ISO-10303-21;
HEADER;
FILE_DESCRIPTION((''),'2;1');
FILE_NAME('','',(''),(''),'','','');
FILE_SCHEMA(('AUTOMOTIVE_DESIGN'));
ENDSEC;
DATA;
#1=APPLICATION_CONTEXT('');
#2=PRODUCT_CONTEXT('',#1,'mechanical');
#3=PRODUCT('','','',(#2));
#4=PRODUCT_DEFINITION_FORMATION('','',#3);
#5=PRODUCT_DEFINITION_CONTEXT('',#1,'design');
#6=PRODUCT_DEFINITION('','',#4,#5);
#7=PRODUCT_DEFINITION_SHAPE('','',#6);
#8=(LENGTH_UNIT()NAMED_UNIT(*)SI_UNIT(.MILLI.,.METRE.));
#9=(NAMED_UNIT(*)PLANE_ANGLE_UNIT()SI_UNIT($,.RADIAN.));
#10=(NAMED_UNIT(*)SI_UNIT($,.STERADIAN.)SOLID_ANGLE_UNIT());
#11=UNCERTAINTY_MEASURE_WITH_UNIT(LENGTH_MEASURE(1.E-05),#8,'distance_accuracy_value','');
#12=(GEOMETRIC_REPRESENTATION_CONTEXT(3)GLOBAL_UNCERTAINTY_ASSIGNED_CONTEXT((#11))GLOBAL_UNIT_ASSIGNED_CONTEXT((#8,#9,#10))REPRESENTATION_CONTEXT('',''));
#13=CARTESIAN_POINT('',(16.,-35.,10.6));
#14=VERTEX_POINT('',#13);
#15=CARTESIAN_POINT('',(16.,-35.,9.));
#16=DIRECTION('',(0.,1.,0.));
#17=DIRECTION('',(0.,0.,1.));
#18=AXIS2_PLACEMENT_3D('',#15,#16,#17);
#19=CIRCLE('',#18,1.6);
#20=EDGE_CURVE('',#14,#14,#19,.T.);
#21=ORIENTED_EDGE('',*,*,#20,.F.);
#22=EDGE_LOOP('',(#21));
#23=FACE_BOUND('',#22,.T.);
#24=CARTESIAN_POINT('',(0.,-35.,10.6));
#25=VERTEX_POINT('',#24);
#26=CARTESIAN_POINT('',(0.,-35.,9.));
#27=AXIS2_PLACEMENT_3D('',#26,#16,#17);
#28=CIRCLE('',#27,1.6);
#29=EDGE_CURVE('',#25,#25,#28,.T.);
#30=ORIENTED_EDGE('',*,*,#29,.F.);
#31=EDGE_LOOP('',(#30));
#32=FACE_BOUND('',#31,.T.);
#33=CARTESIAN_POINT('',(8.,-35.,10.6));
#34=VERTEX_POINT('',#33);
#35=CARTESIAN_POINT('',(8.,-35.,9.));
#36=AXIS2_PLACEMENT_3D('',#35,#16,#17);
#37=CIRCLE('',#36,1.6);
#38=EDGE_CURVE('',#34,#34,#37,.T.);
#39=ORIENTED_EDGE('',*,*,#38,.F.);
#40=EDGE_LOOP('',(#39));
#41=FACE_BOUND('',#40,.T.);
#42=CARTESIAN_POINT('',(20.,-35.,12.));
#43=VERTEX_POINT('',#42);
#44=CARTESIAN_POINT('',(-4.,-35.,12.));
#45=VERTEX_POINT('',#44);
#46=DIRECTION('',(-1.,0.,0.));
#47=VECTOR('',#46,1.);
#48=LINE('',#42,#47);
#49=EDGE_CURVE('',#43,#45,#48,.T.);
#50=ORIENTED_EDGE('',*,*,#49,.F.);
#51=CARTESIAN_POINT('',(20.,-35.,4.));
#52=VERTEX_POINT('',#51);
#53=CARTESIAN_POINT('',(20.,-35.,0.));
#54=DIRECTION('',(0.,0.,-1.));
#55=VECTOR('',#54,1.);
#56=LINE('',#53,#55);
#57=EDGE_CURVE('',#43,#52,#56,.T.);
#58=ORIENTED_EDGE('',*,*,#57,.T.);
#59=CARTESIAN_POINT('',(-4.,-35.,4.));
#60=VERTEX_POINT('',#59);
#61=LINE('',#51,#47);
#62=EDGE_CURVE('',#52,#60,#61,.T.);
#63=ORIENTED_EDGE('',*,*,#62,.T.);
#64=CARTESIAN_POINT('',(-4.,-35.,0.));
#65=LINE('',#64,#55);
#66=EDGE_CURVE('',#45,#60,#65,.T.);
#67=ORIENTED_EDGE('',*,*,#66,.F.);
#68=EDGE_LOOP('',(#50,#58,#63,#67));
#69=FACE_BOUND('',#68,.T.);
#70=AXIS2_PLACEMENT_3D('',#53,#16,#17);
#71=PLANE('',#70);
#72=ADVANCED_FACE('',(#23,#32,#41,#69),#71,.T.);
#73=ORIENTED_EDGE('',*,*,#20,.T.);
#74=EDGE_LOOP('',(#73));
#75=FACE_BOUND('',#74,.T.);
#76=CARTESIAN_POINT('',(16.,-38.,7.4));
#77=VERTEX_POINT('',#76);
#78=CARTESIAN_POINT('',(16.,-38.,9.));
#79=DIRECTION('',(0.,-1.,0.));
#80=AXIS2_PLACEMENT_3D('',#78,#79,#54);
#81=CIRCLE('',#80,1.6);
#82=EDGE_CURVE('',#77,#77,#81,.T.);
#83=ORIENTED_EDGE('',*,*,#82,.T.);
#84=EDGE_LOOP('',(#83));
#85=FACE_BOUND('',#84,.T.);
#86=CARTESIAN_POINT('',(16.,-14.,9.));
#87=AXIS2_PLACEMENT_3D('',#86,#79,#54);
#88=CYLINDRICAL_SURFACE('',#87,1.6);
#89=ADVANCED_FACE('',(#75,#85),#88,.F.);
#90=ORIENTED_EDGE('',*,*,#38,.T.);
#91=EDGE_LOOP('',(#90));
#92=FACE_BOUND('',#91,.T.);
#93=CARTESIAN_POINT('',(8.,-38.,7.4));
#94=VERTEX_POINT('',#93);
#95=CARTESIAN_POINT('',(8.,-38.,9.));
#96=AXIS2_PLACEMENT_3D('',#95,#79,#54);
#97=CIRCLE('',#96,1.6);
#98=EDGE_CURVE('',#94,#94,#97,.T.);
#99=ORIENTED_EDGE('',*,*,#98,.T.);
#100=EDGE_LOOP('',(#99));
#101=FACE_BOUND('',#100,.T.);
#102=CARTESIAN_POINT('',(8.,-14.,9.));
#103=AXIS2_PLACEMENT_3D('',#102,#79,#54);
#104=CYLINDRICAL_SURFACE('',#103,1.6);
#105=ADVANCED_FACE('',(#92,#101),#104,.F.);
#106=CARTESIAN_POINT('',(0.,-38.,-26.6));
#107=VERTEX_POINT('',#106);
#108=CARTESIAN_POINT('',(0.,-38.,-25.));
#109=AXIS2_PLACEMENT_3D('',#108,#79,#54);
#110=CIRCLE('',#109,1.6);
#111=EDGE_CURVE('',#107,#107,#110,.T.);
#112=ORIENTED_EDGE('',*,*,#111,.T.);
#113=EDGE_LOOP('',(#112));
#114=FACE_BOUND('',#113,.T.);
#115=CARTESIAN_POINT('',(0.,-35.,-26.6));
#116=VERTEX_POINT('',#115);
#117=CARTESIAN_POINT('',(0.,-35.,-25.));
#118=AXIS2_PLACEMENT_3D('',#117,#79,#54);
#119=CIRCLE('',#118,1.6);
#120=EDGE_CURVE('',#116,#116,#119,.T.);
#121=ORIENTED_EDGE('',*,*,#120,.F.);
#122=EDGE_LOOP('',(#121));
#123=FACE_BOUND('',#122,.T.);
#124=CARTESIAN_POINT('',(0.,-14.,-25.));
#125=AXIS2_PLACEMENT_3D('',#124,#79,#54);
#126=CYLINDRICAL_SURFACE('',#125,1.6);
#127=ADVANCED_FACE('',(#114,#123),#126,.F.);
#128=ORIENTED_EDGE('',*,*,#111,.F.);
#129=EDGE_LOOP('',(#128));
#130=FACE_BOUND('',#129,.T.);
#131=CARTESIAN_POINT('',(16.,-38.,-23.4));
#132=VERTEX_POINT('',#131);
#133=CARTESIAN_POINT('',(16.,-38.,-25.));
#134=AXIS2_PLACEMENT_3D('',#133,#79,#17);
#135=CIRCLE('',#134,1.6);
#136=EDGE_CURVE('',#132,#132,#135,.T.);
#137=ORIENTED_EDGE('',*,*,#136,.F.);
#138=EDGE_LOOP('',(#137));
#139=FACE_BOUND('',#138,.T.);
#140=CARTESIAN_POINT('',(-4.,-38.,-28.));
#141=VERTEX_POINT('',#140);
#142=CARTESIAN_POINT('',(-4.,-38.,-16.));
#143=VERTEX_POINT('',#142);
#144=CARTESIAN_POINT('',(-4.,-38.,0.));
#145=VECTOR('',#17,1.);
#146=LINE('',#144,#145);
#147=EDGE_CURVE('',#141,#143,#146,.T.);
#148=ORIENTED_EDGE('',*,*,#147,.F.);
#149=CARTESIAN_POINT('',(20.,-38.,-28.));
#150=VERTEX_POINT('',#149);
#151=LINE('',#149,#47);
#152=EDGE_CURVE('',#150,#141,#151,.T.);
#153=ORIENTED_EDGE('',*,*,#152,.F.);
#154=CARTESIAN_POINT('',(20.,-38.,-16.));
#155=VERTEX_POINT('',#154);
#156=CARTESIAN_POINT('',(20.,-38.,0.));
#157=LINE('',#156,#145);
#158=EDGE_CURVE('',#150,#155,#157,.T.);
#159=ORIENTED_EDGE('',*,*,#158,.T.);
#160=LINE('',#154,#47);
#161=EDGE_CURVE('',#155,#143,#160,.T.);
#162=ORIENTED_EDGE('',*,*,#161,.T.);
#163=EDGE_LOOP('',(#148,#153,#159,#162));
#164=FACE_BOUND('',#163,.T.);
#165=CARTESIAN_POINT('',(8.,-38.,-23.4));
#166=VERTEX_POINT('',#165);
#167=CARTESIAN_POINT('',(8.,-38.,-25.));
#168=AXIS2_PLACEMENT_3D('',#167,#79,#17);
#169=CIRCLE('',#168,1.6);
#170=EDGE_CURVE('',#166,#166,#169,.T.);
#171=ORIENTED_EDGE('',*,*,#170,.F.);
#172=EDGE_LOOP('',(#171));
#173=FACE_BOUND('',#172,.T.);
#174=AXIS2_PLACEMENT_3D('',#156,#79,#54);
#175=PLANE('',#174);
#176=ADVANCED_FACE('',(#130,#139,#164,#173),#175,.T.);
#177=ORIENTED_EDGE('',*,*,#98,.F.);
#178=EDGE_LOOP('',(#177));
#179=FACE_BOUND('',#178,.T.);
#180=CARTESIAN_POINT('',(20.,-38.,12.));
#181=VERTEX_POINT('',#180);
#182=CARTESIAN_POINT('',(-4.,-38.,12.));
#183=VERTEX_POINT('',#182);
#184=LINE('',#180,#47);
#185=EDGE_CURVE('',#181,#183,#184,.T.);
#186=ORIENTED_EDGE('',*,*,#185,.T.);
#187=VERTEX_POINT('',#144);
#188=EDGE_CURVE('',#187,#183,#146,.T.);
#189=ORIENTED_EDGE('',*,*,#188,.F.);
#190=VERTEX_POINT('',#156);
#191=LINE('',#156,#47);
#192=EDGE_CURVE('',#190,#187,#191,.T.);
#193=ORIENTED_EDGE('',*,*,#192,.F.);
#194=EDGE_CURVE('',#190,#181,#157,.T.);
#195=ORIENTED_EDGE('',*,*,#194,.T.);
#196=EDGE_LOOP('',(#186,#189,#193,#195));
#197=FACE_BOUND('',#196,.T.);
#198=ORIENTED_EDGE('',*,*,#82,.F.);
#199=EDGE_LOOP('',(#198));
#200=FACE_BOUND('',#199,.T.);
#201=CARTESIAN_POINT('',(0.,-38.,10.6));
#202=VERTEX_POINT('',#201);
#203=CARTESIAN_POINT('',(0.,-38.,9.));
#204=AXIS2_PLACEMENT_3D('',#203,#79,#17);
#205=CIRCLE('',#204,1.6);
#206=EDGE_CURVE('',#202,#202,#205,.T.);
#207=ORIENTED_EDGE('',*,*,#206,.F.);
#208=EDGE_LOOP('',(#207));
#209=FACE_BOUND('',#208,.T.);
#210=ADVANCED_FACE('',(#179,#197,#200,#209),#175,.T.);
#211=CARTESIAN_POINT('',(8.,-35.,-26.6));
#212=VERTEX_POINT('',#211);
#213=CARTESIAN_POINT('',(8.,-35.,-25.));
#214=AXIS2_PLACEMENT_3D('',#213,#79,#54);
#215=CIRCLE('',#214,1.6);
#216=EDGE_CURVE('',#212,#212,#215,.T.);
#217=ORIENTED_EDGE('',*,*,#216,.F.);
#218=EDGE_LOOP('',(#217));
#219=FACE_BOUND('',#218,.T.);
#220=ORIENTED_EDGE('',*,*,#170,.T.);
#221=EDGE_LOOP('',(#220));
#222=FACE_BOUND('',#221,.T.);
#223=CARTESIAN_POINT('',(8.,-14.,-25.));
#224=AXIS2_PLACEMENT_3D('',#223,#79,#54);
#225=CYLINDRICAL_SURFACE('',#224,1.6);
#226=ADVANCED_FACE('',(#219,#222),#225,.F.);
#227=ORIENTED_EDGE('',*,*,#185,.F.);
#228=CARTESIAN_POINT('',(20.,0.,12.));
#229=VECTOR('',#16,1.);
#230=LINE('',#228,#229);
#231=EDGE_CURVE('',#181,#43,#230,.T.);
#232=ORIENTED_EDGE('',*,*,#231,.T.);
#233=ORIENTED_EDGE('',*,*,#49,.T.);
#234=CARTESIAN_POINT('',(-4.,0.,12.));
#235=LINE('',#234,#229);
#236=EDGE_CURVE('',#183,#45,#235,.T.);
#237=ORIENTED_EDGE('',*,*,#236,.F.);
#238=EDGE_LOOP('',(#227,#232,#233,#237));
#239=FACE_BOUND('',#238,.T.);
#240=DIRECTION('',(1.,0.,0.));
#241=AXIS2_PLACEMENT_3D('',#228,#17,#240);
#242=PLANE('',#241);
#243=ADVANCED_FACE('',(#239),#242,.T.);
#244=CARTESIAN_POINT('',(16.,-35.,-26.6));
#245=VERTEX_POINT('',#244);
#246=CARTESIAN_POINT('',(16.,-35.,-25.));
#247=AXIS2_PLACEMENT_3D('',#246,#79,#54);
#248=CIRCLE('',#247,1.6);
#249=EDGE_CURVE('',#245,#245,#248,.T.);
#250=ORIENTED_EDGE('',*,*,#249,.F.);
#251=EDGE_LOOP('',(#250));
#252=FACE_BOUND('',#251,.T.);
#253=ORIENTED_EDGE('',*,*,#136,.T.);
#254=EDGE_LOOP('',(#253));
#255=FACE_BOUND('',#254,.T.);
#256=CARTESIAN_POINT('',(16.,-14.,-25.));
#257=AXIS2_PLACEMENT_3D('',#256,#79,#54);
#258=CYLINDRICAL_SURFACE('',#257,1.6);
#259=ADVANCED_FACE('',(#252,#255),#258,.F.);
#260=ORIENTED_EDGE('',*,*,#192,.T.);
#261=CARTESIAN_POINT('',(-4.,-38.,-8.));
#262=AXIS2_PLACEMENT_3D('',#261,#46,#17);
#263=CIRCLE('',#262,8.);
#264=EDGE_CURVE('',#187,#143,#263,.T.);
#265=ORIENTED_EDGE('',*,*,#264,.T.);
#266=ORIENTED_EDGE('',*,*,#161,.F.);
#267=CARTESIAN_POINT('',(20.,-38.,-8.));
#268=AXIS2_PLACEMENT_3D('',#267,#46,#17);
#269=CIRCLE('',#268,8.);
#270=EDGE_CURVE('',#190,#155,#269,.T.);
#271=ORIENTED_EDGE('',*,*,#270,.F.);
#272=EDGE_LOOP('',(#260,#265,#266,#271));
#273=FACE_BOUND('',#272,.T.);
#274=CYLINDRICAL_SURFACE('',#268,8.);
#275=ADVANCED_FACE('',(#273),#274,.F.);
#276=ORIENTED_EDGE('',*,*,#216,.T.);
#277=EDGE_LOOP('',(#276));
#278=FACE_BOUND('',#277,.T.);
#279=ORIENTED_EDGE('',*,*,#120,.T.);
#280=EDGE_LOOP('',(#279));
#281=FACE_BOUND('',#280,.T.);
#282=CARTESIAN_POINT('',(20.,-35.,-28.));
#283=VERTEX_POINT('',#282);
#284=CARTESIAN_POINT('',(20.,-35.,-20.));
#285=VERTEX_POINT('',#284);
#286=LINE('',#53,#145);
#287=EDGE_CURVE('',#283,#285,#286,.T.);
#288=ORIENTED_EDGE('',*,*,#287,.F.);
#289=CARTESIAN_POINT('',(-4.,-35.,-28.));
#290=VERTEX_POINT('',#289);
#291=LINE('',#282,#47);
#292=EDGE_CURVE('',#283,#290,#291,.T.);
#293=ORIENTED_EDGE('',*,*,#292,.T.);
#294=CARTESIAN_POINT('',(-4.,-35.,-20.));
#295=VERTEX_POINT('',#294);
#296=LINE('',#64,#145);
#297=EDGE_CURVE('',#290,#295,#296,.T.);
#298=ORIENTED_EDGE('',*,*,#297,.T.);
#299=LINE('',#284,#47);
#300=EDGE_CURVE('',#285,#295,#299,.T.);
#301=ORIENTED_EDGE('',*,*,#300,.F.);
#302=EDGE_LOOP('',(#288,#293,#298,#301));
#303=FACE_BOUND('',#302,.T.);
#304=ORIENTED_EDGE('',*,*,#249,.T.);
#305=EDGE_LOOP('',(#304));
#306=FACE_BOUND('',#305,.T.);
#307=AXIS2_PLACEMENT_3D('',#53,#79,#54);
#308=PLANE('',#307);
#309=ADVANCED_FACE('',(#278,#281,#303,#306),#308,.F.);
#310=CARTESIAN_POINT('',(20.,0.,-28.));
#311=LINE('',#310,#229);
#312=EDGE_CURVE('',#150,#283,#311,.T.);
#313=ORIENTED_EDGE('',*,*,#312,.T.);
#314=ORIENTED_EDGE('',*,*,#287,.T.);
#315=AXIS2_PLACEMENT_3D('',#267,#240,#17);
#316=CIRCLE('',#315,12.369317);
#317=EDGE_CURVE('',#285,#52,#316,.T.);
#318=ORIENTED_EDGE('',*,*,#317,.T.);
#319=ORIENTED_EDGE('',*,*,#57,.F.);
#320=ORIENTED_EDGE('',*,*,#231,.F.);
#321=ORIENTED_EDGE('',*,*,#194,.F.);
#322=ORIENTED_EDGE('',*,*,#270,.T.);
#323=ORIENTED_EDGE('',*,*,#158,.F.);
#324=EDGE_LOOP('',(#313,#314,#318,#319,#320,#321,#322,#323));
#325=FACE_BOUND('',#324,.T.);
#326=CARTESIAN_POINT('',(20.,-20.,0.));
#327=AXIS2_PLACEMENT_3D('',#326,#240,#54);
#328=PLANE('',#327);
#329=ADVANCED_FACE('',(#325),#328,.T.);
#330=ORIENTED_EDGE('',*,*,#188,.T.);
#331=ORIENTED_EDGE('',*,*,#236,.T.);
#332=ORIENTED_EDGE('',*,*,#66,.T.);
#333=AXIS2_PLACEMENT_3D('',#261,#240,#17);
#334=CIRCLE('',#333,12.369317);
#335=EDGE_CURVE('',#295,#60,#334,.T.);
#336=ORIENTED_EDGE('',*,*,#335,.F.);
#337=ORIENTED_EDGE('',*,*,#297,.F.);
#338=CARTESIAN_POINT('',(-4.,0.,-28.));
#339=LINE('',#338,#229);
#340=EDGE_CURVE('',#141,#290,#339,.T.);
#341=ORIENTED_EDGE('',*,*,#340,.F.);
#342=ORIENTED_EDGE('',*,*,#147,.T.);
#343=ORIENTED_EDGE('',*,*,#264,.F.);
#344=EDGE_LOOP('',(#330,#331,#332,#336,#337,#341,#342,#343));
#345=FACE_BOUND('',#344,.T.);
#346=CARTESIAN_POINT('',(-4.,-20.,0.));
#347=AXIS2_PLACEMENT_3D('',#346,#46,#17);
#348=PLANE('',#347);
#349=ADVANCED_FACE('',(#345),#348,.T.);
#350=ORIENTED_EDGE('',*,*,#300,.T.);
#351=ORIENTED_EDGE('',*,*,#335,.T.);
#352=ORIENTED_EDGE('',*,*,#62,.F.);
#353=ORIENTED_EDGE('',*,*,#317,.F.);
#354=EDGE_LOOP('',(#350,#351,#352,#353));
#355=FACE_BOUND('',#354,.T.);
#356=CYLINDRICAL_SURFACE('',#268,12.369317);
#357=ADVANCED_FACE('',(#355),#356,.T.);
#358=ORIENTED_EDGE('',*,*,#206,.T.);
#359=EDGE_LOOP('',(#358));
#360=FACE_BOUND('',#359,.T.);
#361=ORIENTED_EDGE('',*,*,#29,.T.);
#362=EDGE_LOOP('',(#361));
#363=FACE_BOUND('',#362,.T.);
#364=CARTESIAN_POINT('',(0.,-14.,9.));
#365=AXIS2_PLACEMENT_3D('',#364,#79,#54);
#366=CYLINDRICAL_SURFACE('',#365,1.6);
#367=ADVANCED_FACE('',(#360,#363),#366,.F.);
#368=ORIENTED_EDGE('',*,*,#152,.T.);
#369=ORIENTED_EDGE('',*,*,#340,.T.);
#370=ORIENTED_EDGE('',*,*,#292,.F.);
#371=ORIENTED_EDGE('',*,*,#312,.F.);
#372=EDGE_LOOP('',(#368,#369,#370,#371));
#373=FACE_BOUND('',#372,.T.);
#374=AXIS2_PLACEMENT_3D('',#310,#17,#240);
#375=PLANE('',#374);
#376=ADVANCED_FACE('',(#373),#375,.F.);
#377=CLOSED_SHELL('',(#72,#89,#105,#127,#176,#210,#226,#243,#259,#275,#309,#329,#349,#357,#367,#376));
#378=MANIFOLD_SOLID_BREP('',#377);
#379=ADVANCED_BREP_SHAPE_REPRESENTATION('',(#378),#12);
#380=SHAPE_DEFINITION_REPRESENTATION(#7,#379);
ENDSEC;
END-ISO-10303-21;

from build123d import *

# Parameters (mm, degrees)
SKETCH_1_W          = 16
SKETCH_1_H          = 16
EXTRUDE_1_DEPTH     = 20
SKETCH_2_W          = 24
SKETCH_2_H          = 24
EXTRUDE_4_DEPTH     = 10
SKETCH_3_W          = 4
SKETCH_3_H          = 3
EXTRUDE_6_DEPTH     = 24
SKETCH_5_R          = 1.6
CUT_EXTRUDE_1_DEPTH = 24
CUT_EXTRUDE_2_DEPTH = 24


with BuildPart() as part:
    # 草图1 → 凸台-拉伸1 (new body)
    with BuildSketch(Plane(origin=(0, 0, 0), x_dir=(1, 0, 0), z_dir=(0, 1, 0))):
        Polygon((-4, 20), (-4, 16), (-4, -4), (16, -4), (20, -4), (20, 0), (20, 20), (0, 20), align=None)
        with Locations((8, 8)):
            Rectangle(SKETCH_1_W, SKETCH_1_H, mode=Mode.SUBTRACT)
    extrude(amount=-EXTRUDE_1_DEPTH)

    # 草图2 → 凸台-拉伸4 (add)
    with BuildSketch(Plane.XZ.offset(20)):
        with Locations((8, -8)):
            Rectangle(SKETCH_2_W, SKETCH_2_H)
    extrude(amount=EXTRUDE_4_DEPTH)

    # 草图3 → 凸台-拉伸6 (add)
    with BuildSketch(Plane.ZY.offset(4)):
        with Locations((10, -36.5)):
            Rectangle(SKETCH_3_W, SKETCH_3_H)
        with BuildLine():
            Line((4, -35), (4, -30))
            Line((4, -30), (-8.000000062, -30))
            ThreePointArc((-8.000000062, -30), (-2.343145773, -32.343145728), (0, -38))
            Line((0, -38), (8, -38))
            Line((8, -38), (8, -35))
            Line((8, -35), (4, -35))
        make_face()
        with BuildLine():
            ThreePointArc((-16, -38), (-13.656854272, -32.343145773), (-8.000000062, -30))
            Line((-8.000000062, -30), (-20, -30))
            Line((-20, -30), (-20, -35))
            Line((-20, -35), (-24, -35))
            Line((-24, -35), (-24, -38))
            Line((-24, -38), (-16, -38))
        make_face()
        with Locations((-26, -36.5)):
            Rectangle(SKETCH_3_W, SKETCH_3_H)
    extrude(amount=-EXTRUDE_6_DEPTH)

    # 草图5 → 切除-拉伸1 (cut)
    with BuildSketch(Plane.XZ.offset(38)):
        with Locations(Location((8, 9, 0), (0, 0, 270))):
            Circle(SKETCH_5_R)
        with Locations(Location((16, 9, 0), (0, 0, 270))):
            Circle(SKETCH_5_R)
        with Locations(Location((0, 9, 0), (0, 0, 90))):
            Circle(SKETCH_5_R)
        with Locations(Location((0, -25, 0), (0, 0, 270))):
            Circle(SKETCH_5_R)
        with Locations(Location((8, -25, 0), (0, 0, 270))):
            Circle(SKETCH_5_R)
        with Locations(Location((16, -25, 0), (0, 0, 270))):
            Circle(SKETCH_5_R)
    extrude(amount=-CUT_EXTRUDE_1_DEPTH, mode=Mode.SUBTRACT)

    # 草图6 → 切除-拉伸2 (cut)
    with BuildSketch(Plane.ZY.offset(4)):
        with BuildLine():
            Line((-20, -35), (-20, 0))
            Line((-20, 0), (4, 0))
            Line((4, 0), (4, -35))
            ThreePointArc((4, -35), (-8, -25.630683123), (-20, -35))
        make_face()
    extrude(amount=-CUT_EXTRUDE_2_DEPTH, mode=Mode.SUBTRACT)


solid = part.part
